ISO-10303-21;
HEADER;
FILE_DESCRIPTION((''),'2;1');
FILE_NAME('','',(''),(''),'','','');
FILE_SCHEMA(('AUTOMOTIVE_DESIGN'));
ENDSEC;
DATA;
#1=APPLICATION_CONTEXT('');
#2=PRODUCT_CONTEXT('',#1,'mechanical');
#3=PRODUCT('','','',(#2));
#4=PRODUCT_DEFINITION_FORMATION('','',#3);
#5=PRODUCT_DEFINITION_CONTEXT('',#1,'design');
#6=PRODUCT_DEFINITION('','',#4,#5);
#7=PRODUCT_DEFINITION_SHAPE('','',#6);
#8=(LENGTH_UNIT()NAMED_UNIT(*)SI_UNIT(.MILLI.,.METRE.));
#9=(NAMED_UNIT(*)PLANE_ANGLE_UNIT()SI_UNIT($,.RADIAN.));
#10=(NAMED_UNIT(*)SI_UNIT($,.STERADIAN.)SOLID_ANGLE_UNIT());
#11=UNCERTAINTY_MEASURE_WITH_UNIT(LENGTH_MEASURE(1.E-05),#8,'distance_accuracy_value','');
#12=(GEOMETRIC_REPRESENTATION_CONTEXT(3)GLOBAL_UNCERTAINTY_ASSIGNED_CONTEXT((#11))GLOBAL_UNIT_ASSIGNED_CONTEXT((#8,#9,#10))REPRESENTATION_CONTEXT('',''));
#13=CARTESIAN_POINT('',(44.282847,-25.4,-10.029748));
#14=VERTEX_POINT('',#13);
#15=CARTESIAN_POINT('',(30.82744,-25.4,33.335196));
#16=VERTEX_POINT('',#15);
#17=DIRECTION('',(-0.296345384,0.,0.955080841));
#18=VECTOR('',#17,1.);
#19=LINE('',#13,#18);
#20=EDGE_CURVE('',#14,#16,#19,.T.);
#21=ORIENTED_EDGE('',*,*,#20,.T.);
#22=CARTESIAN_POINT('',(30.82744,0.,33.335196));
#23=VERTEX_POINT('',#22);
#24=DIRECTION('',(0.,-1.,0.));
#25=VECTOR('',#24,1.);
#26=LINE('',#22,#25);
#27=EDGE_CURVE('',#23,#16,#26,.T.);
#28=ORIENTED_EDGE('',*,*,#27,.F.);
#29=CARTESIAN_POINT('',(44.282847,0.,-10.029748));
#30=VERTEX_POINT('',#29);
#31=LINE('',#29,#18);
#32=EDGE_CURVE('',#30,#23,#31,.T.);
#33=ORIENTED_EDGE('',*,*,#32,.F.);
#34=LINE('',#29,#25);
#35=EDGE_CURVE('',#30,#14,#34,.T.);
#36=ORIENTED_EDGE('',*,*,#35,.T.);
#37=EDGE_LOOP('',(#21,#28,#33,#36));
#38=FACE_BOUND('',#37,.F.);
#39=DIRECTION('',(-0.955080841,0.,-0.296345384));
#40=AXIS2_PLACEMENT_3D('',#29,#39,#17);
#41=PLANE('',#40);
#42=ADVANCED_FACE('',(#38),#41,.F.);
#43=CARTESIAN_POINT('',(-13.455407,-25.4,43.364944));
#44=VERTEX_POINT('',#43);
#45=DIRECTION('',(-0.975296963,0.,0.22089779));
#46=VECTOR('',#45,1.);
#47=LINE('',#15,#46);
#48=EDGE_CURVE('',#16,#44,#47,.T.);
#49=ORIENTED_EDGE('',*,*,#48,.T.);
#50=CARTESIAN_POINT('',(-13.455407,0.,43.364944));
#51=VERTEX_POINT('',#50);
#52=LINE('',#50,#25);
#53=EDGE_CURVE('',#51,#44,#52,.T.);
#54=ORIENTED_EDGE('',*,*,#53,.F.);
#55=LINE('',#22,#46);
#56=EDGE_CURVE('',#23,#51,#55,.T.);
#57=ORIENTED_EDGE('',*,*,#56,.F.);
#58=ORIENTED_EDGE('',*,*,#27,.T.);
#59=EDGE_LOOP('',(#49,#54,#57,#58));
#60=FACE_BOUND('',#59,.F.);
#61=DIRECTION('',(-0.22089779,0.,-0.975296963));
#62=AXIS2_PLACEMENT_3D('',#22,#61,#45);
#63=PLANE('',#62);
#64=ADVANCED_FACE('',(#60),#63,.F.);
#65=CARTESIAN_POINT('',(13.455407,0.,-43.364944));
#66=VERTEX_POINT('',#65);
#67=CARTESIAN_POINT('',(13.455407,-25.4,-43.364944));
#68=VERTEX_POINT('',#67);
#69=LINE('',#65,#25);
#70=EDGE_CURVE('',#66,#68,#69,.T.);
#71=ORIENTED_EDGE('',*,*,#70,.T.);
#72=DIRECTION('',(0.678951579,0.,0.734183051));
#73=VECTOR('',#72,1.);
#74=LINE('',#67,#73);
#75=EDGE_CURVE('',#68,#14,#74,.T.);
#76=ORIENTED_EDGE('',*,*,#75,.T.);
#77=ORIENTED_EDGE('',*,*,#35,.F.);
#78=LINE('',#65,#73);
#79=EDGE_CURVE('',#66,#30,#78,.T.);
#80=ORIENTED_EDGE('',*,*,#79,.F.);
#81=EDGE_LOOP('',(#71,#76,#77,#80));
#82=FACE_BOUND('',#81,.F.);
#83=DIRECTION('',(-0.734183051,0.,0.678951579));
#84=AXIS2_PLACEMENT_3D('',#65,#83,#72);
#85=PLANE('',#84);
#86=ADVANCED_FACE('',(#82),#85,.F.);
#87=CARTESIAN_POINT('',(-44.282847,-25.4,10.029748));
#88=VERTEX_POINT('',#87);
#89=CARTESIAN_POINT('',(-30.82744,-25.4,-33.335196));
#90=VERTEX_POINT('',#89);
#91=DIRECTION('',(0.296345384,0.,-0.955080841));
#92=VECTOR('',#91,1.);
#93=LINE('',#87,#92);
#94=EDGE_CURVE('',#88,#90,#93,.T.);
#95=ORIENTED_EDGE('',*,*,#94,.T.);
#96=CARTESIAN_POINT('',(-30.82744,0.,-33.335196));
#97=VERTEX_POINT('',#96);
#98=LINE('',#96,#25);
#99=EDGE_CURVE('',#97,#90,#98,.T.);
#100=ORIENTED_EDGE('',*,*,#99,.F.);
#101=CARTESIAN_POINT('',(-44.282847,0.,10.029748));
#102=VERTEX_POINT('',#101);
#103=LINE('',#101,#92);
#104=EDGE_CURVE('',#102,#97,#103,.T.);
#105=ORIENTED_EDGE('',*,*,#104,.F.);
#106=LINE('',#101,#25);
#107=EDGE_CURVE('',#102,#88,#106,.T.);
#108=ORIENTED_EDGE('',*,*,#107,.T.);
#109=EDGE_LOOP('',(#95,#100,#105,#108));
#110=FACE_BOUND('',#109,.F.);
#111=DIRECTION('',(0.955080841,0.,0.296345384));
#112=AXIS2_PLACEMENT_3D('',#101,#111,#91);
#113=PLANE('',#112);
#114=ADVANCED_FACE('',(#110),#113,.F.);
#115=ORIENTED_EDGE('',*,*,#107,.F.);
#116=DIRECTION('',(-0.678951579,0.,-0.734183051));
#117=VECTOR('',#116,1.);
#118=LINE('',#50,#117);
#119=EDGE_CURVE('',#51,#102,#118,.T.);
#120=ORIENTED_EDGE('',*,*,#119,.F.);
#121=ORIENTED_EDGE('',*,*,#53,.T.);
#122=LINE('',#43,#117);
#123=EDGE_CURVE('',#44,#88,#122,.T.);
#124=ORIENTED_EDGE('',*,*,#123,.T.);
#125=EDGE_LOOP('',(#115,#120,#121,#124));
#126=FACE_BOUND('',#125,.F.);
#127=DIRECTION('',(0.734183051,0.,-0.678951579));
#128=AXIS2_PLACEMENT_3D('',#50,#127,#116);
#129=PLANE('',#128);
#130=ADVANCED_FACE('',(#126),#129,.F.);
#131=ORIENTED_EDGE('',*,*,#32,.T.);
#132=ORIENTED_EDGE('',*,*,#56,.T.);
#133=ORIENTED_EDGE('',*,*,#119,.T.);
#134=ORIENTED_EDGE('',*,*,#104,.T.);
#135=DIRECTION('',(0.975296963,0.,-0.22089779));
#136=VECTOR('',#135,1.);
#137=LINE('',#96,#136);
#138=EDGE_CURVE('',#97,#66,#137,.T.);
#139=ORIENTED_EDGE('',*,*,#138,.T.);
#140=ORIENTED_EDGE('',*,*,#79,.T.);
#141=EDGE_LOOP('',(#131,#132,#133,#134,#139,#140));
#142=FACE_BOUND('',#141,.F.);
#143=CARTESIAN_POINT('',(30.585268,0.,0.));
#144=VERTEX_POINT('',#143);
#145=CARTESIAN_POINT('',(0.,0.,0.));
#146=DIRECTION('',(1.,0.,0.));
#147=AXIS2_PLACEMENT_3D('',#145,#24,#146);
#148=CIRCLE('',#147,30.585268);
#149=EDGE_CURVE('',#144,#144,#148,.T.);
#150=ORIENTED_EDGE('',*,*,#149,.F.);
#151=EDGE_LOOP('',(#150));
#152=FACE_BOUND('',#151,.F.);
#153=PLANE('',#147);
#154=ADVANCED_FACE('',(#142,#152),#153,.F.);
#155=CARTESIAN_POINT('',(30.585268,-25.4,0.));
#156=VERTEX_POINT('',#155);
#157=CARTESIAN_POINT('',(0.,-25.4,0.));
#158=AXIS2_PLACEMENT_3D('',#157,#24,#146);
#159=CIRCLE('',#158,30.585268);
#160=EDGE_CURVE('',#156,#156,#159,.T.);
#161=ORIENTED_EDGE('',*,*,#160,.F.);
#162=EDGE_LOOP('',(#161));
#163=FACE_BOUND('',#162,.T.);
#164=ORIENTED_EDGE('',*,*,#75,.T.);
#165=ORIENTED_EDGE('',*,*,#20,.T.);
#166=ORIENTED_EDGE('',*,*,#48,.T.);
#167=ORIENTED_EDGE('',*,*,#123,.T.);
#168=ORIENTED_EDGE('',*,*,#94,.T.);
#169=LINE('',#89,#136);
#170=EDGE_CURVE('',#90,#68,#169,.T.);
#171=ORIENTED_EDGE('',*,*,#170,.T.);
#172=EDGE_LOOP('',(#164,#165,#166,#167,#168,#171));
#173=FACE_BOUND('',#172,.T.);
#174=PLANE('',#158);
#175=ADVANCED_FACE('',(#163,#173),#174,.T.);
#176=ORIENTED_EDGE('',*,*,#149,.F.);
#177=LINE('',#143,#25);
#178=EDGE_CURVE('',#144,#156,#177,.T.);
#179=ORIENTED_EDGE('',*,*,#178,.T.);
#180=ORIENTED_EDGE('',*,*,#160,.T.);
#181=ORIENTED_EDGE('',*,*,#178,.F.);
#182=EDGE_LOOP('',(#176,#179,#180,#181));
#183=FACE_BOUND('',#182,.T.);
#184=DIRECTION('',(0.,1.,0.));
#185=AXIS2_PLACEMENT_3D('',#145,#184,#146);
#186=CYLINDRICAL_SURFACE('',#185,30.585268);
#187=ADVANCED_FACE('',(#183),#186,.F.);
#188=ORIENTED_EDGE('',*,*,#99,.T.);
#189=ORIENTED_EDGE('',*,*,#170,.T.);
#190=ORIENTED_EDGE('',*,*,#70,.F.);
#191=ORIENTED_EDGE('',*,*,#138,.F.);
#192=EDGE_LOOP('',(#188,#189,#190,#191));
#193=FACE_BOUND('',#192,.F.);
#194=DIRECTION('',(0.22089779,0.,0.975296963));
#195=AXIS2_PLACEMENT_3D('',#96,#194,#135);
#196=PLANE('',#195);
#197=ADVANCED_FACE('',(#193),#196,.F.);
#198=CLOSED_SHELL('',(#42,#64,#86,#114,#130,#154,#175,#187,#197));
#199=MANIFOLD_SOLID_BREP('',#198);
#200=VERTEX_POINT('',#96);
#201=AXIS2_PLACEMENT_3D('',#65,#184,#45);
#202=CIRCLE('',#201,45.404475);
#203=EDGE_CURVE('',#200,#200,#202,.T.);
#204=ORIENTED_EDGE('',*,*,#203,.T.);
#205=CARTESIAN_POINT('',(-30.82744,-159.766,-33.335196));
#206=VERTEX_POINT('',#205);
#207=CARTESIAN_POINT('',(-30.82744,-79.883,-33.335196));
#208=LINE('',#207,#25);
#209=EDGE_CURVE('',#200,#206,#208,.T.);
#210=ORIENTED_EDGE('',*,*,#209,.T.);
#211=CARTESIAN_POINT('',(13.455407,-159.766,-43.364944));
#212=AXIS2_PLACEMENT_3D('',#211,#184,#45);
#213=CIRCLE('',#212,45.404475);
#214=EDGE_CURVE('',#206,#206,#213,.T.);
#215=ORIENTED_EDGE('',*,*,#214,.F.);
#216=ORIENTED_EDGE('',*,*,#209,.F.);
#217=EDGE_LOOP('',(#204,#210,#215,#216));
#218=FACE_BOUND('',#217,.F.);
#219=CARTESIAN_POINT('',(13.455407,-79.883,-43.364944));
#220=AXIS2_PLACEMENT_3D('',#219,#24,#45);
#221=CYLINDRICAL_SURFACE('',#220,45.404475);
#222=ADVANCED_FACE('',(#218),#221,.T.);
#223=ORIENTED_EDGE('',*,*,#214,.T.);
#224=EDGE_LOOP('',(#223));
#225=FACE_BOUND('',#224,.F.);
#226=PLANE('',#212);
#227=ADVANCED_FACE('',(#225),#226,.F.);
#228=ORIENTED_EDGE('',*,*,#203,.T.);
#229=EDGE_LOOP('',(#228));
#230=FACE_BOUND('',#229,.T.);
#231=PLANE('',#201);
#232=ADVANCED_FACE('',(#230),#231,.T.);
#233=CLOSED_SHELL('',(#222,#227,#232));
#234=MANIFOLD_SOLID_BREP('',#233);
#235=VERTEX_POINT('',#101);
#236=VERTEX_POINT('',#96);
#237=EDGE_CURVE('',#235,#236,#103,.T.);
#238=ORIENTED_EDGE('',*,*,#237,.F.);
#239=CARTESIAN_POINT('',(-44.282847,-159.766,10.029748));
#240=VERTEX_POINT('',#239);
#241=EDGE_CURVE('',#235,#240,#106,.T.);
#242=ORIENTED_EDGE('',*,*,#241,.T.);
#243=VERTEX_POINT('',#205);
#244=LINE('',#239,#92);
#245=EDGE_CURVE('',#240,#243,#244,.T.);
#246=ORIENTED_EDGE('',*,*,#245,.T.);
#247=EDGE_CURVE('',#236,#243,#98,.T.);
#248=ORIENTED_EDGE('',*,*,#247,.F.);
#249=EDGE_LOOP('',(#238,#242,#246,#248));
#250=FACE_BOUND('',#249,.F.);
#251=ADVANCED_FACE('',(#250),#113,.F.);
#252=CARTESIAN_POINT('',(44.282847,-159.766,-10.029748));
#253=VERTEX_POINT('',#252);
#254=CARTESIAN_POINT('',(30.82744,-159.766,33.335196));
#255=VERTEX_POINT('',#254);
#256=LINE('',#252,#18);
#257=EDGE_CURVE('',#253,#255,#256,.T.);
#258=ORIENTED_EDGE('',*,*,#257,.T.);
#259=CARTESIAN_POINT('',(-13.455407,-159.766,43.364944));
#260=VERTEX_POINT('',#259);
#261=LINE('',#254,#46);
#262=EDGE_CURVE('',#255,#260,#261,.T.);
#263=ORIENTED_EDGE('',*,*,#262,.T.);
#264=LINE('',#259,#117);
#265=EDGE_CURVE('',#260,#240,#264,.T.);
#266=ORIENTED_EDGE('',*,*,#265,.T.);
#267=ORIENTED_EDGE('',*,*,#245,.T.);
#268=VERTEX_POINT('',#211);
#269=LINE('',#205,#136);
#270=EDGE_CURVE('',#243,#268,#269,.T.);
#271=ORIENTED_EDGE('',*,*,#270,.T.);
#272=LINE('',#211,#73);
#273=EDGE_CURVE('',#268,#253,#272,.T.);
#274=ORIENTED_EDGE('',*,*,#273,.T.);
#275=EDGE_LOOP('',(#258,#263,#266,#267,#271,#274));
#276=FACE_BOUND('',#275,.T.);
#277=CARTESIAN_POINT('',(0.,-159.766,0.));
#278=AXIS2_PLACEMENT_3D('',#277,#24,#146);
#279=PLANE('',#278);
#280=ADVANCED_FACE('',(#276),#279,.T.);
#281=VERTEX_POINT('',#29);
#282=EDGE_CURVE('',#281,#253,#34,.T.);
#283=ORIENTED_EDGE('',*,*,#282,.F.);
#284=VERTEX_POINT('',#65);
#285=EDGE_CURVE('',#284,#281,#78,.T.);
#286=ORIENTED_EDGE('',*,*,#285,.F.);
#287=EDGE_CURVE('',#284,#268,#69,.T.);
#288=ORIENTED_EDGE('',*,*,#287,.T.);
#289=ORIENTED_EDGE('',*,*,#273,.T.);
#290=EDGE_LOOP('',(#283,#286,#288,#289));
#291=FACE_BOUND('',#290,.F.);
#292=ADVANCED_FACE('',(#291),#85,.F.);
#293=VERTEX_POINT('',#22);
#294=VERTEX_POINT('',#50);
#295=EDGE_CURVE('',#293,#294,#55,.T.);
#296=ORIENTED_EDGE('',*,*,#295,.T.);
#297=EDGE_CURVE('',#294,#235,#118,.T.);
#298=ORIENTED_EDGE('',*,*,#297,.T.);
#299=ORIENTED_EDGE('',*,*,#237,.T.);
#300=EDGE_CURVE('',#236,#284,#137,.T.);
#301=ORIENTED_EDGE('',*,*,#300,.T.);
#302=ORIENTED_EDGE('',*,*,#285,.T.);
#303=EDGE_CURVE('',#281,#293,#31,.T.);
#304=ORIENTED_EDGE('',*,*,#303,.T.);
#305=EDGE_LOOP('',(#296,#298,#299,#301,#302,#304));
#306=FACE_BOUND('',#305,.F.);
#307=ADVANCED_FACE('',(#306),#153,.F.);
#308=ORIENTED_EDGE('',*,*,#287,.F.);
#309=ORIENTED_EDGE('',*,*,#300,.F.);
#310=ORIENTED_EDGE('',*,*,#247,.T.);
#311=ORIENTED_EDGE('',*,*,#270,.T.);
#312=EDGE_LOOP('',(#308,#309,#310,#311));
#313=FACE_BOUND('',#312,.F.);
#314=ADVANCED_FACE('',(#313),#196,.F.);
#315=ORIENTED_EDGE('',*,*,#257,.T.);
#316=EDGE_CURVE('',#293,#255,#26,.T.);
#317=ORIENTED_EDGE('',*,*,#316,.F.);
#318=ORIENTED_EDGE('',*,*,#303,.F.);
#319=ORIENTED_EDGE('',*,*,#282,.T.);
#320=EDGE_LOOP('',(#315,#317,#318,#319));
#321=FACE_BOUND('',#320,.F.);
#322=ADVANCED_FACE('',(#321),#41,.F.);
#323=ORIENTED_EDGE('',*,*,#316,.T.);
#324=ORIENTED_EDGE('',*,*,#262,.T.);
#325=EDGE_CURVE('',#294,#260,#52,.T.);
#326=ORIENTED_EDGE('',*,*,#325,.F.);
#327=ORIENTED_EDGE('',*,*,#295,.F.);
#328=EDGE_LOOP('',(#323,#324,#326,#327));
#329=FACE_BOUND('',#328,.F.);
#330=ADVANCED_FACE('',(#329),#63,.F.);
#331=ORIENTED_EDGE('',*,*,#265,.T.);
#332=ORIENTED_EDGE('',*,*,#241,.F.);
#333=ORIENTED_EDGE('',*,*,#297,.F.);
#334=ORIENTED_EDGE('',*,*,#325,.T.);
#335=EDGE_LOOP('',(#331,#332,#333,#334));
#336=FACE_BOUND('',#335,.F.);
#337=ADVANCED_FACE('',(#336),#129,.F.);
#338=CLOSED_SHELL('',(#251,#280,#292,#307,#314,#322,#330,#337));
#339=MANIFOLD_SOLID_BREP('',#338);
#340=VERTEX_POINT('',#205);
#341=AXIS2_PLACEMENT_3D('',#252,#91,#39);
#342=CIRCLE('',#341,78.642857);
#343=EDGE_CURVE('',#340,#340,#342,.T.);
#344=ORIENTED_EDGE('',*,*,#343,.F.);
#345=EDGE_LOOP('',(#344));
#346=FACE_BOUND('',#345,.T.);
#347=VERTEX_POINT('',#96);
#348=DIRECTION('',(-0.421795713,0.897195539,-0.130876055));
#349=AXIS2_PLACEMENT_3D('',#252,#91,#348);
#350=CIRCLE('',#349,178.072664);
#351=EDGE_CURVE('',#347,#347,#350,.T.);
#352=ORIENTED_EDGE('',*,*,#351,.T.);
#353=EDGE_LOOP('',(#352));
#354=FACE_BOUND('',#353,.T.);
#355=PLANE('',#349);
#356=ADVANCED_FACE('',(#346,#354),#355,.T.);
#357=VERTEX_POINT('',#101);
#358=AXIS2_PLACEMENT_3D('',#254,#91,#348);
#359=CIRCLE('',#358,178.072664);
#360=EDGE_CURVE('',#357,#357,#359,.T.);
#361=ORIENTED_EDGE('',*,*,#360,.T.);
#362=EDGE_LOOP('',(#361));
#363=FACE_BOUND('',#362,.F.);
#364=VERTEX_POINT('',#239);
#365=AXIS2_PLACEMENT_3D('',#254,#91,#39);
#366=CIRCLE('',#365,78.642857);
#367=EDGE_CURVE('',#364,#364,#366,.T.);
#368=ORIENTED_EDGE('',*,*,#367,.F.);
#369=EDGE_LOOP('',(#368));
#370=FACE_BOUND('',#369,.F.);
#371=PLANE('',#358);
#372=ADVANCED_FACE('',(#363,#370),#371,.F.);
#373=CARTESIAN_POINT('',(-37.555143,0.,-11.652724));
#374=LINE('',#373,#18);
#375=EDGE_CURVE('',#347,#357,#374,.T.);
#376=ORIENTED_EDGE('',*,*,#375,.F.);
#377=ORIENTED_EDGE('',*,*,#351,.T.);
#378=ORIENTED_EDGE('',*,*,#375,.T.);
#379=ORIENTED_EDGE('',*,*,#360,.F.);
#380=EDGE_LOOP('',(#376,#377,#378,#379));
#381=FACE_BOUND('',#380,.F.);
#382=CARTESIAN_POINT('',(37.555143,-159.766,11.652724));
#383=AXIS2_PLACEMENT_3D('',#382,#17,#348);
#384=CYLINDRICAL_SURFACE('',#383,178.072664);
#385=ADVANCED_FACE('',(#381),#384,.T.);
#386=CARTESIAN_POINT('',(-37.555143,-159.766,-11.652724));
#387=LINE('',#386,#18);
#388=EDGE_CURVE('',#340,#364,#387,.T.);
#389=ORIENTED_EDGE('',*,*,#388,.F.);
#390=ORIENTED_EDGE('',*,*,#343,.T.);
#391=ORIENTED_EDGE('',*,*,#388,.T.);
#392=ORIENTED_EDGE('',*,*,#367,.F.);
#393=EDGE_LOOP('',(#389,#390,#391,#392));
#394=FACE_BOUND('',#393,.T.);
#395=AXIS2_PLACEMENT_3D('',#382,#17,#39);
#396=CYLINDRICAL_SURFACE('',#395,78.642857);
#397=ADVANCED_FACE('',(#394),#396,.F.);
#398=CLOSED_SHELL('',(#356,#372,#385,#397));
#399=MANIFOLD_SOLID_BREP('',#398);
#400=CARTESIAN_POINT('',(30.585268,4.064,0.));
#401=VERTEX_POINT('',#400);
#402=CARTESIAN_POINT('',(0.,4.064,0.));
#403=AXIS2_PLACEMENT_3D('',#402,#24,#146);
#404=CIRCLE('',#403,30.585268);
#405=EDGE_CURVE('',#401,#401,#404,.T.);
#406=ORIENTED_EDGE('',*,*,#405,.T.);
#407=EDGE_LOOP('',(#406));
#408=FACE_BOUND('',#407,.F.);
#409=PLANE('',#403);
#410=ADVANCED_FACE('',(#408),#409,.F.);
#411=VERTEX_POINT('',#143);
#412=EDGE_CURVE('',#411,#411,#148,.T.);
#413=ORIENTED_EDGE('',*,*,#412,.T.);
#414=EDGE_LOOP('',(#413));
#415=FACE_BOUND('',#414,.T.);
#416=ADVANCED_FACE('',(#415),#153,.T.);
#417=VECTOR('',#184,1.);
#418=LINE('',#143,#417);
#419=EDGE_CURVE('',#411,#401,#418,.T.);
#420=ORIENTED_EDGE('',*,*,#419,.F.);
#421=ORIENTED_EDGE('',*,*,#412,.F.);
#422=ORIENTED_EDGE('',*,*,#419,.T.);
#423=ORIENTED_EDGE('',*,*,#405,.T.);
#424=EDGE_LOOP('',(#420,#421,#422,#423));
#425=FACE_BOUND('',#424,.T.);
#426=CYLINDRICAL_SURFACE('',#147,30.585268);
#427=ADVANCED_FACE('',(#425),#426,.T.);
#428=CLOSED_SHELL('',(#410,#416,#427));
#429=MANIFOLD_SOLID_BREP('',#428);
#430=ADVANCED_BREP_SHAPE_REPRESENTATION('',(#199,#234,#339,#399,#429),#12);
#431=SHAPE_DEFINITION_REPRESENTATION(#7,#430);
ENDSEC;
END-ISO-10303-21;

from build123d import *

# Parameters (mm, degrees)
F1_R       = 30.5852681074
F3_DEPTH   = 25.4
F2_R       = 30.5852681074
F4_DEPTH   = 4.064
F5_DEPTH   = 159.766
F5_FACE_W  = 45.4044749267
F5_FACE_H  = 159.766
F5_FACE1_W = 159.766
F5_FACE1_H = 45.4044749267


with BuildPart() as f3:
    # F1 (on face) → F3 (new body)
    with BuildSketch(Plane.XZ):
        Polygon((-13.4554065448, 43.3649441148), (-44.2828465095, 10.0297481713), (-30.8274399647, -33.3351959435), (13.4554065448, -43.3649441148), (44.2828465095, -10.0297481713), (30.8274399647, 33.3351959435), align=None)
        Circle(F1_R, mode=Mode.SUBTRACT)
    extrude(amount=F3_DEPTH)


with BuildPart() as f4:
    # F2 (on face) → F4 (new body)
    with BuildSketch(Plane.XZ):
        Circle(F2_R)
    extrude(amount=-F4_DEPTH)


with BuildPart() as f5:
    # F0 (on Front) → F5 (new body)
    with BuildSketch(Plane.XZ):
        Polygon((-44.2828465095, 10.0297481713), (-30.8274399647, -33.3351959435), (13.4554065448, -43.3649441148), (44.2828465095, -10.0297481713), (30.8274399647, 33.3351959435), (-13.4554065448, 43.3649441148), align=None)
    extrude(amount=F5_DEPTH)


with BuildPart() as f6:
    # F5_face (on face) → F6 (revolve)
    with BuildSketch(Plane(origin=(-8.6860167099, -79.883, -38.3500700291), x_dir=(1, 0, 0), z_dir=(-0.2208977901, 0, -0.9752969632))):
        Rectangle(F5_FACE_W, F5_FACE_H)
    revolve(axis=Axis((13.4554065448, -79.883, -43.3649441148), (0, 1, 0)))


with BuildPart() as f7:
    # F5_face1 (on face) → F7 (revolve)
    with BuildSketch(Plane(origin=(-37.5551432371, -79.883, -11.6527238861), x_dir=(0, -1, 0), z_dir=(-0.9550808414, 0, -0.2963453837))):
        Rectangle(F5_FACE1_W, F5_FACE1_H)
    revolve(axis=Axis((37.5551432371, -159.766, 11.6527238861), (0.2963453837, 0, -0.9550808414)))


solid = Compound([f3.part, f4.part, f5.part, f6.part, f7.part])
